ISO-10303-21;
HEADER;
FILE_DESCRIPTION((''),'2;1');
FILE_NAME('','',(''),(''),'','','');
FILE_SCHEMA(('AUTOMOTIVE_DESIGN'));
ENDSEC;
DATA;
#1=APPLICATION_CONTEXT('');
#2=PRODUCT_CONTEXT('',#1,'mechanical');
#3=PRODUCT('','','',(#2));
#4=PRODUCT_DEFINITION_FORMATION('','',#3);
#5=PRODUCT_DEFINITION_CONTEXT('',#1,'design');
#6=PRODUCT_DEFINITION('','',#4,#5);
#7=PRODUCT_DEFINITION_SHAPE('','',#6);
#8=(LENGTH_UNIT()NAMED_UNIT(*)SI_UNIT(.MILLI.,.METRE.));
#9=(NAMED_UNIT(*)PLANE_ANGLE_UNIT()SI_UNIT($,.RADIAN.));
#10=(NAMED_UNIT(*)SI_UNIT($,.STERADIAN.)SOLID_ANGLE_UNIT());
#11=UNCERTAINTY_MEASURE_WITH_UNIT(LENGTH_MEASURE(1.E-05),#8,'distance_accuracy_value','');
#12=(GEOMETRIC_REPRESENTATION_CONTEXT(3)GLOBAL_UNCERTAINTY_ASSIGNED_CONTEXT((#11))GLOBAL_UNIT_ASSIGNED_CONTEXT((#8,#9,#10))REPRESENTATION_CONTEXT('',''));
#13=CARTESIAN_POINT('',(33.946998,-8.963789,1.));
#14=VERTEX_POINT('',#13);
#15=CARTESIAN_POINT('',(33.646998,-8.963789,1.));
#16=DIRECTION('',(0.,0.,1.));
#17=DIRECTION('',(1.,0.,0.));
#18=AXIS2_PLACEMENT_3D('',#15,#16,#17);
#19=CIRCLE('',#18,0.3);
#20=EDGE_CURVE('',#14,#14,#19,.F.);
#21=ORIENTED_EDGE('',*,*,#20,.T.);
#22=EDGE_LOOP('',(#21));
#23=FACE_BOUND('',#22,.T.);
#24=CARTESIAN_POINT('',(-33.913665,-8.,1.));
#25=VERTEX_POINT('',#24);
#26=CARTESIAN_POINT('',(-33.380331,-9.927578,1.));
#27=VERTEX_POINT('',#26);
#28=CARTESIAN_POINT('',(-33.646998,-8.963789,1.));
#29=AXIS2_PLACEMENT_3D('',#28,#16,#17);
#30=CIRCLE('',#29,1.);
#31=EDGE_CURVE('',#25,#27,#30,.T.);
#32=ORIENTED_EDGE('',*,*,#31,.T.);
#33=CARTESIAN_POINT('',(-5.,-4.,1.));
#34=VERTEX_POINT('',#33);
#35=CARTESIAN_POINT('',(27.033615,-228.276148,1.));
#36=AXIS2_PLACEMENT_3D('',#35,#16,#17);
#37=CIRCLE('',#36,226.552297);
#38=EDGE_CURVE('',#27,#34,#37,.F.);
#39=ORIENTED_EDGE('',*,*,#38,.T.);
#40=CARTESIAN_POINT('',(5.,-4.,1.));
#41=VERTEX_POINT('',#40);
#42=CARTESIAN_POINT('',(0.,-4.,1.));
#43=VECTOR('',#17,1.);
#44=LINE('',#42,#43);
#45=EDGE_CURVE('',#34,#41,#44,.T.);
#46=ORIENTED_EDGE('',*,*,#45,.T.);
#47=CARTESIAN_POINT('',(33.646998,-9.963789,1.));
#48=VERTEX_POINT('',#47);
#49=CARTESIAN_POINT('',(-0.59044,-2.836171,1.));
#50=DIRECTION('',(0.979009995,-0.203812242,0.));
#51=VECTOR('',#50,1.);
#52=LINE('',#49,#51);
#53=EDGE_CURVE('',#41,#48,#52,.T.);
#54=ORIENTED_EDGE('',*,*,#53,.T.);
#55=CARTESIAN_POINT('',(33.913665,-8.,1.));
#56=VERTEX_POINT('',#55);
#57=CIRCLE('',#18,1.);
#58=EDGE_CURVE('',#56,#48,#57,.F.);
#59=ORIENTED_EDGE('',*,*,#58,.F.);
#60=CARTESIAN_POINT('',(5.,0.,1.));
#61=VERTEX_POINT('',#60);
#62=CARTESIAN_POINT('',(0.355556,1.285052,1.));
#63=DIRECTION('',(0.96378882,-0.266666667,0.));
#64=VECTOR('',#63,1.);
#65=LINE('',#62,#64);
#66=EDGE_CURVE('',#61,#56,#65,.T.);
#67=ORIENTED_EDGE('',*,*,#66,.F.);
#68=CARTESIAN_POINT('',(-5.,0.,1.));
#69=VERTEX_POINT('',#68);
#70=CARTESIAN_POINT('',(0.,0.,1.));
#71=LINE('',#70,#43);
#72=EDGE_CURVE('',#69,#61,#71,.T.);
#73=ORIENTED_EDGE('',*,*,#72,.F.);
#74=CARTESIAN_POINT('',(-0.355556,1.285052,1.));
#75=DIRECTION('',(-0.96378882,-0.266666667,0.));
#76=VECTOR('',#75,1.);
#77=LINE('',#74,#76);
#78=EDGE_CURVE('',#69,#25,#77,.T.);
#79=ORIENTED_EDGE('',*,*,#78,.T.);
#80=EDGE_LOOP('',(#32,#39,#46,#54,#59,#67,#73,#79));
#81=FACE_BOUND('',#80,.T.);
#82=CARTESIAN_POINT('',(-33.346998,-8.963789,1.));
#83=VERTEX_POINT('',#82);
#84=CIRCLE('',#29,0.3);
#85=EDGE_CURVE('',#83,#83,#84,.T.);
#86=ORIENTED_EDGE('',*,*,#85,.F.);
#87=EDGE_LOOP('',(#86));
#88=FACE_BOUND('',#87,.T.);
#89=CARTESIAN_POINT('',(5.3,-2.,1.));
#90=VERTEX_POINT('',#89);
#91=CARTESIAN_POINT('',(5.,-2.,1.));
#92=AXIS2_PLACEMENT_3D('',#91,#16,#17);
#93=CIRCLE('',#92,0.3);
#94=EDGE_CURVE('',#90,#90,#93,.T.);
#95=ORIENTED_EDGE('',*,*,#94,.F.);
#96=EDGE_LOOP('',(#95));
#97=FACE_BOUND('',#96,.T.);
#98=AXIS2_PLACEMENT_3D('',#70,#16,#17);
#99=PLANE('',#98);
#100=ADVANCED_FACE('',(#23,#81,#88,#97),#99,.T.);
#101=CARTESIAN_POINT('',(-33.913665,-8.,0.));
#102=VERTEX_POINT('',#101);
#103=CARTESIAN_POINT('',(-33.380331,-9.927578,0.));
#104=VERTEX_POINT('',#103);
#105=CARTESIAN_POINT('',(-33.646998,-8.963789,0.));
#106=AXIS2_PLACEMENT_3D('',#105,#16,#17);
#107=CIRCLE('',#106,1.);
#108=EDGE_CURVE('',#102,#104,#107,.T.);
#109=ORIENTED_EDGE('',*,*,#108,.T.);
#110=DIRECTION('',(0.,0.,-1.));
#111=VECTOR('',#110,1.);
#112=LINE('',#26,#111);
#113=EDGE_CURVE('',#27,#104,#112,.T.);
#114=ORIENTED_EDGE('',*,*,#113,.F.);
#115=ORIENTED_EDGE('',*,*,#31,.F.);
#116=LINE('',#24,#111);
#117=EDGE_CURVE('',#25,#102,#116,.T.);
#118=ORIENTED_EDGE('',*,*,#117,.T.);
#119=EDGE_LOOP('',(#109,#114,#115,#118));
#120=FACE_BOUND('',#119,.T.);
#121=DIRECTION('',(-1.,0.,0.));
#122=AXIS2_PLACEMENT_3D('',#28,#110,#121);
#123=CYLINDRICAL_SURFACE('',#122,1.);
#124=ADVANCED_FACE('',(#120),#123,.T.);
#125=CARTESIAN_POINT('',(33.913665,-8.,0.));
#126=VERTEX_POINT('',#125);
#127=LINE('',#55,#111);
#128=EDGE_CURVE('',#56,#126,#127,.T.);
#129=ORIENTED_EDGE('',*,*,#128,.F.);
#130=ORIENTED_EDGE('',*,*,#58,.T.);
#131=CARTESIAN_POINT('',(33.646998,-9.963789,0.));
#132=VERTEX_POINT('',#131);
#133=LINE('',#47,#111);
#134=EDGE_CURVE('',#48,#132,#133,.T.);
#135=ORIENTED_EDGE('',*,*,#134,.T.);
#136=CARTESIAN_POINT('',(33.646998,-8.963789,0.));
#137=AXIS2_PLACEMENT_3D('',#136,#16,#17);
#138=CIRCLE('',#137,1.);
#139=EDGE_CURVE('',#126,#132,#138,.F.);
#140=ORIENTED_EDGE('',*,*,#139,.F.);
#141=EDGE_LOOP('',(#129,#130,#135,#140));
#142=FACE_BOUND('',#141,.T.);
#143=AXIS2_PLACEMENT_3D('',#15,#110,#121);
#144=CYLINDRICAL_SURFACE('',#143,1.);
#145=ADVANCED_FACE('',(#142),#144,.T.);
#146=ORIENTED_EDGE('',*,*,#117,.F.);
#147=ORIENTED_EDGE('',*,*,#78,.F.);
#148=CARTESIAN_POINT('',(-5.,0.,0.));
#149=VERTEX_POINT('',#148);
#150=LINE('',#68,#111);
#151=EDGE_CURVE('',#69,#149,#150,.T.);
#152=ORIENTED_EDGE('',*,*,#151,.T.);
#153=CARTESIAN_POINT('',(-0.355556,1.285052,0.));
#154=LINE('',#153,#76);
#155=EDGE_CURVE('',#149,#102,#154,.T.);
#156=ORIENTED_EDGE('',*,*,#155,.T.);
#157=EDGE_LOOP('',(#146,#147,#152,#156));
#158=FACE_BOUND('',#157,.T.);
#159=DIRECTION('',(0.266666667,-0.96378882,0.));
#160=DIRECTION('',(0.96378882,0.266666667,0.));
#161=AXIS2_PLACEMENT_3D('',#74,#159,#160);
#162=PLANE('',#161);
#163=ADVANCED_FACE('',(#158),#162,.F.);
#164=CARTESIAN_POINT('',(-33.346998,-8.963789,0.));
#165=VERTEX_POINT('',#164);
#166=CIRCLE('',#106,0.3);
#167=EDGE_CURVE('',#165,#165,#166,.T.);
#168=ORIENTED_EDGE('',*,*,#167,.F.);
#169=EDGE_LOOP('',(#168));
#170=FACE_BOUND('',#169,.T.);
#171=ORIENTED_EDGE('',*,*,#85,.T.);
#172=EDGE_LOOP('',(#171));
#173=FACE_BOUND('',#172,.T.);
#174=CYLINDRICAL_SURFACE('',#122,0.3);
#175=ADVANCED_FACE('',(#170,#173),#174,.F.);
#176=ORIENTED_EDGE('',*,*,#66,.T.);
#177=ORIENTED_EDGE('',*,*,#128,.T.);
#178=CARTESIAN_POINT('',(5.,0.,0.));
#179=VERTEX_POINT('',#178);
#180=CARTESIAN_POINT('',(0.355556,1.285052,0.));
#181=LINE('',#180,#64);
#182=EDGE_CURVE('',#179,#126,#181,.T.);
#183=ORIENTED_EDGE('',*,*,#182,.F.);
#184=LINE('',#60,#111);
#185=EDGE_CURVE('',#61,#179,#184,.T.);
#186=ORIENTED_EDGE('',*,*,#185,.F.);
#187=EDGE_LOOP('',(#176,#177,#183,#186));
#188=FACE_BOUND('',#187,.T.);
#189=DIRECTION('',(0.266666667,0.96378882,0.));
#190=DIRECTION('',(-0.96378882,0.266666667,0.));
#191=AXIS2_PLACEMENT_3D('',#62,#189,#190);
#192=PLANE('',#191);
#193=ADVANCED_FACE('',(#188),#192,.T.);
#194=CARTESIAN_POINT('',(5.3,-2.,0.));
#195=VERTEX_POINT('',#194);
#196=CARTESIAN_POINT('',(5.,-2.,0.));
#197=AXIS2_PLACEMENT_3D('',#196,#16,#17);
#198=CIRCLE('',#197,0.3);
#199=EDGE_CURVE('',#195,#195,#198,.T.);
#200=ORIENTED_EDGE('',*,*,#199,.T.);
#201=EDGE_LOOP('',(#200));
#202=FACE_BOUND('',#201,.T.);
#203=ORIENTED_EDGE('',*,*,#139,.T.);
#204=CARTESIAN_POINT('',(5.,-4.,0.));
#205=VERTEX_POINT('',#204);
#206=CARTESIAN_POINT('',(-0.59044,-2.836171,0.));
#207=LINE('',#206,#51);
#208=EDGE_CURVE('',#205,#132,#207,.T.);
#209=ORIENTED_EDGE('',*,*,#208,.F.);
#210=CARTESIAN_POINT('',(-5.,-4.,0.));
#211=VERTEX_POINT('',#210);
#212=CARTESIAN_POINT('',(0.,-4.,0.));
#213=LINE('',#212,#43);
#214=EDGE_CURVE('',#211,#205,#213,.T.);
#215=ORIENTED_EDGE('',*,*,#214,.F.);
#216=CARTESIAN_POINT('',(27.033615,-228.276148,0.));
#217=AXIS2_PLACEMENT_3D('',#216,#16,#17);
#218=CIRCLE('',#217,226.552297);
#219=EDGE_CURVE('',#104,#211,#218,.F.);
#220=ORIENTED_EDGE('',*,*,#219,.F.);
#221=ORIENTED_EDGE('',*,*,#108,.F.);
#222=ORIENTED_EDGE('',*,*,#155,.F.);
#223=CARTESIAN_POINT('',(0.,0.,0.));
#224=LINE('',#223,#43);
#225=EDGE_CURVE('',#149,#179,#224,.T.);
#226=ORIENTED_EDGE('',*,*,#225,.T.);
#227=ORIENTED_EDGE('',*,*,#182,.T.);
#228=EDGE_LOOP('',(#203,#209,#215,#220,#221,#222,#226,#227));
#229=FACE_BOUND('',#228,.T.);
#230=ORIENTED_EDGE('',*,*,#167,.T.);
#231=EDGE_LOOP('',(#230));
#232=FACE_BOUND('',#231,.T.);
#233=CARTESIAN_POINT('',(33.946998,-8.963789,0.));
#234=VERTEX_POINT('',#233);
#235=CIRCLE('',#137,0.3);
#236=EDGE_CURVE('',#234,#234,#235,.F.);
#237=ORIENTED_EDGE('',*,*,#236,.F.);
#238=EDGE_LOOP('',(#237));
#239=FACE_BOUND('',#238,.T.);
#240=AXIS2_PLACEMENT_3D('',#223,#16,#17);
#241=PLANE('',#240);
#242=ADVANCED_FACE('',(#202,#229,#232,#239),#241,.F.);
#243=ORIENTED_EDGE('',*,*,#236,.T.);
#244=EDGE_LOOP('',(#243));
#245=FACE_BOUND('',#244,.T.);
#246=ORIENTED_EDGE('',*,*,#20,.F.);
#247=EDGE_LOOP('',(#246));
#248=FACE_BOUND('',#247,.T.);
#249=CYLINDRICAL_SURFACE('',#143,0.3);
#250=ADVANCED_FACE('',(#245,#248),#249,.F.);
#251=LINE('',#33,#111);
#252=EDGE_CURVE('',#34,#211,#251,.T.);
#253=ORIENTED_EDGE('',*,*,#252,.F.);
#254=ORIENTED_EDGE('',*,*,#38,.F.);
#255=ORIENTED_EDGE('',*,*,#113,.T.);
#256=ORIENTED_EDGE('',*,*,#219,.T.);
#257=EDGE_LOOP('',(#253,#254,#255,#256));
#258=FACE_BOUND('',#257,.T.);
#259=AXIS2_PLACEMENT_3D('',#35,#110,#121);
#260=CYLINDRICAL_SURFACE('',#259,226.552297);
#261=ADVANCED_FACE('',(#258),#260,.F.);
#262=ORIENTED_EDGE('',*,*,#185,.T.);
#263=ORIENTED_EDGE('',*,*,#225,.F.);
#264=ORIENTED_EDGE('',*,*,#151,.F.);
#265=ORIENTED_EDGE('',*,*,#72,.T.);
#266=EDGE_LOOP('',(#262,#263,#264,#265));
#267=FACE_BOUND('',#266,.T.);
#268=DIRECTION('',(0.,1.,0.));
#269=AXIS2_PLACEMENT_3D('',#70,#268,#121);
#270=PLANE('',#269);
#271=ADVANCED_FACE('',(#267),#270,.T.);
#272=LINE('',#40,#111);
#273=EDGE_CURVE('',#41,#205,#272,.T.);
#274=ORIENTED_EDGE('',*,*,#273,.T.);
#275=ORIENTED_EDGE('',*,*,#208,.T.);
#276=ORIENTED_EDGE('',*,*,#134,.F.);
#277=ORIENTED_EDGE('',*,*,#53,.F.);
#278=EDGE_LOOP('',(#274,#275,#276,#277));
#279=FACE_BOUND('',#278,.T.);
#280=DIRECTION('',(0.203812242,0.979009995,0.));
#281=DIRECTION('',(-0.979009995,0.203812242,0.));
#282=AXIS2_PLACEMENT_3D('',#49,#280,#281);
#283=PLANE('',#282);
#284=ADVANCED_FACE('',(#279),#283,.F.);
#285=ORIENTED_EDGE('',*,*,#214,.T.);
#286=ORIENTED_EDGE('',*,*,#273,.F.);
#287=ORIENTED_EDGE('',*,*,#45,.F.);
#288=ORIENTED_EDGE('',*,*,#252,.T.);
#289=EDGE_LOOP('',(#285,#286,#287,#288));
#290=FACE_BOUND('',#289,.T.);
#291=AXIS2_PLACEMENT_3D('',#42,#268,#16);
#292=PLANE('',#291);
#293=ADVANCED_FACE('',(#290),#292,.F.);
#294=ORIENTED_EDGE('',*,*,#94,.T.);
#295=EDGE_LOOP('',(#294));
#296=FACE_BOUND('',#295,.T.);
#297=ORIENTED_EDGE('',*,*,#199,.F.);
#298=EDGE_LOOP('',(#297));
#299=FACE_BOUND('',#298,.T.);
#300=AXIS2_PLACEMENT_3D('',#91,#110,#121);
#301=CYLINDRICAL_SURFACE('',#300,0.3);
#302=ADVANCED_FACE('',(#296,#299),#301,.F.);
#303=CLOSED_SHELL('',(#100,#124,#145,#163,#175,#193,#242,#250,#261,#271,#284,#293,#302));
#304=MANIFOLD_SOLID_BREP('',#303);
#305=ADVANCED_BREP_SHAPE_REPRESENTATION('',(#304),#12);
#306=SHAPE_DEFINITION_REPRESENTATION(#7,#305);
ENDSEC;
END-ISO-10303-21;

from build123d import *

# Parameters (mm, degrees)
SKETCH_1_R      = 0.3
EXTRUDE_1_DEPTH = 1


with BuildPart() as part:
    # 草图1 → 凸台-拉伸1 (new body)
    with BuildSketch(Plane.XY):
        with BuildLine():
            Line((-5, 0), (-33.91366459, -8))
            ThreePointArc((-33.91366459, -8), (-34.610786743, -9.230455486), (-33.380331256, -9.927577639))
            ThreePointArc((-33.380331256, -9.927577639), (-19.285084677, -6.509330991), (-5, -4))
            Line((-5, -4), (5, -4))
            Line((5, -4), (33.646997923, -9.96378882))
            ThreePointArc((33.646997923, -9.96378882), (34.637903776, -9.098345834), (33.91366459, -8))
            Line((33.91366459, -8), (5, 0))
            Line((5, 0), (-5, 0))
        make_face()
        with Locations((-33.646997923, -8.96378882)):
            Circle(SKETCH_1_R, mode=Mode.SUBTRACT)
        with Locations((5, -2)):
            Circle(SKETCH_1_R, mode=Mode.SUBTRACT)
        with Locations((33.646997923, -8.96378882)):
            Circle(SKETCH_1_R, mode=Mode.SUBTRACT)
    extrude(amount=EXTRUDE_1_DEPTH)


solid = part.part
